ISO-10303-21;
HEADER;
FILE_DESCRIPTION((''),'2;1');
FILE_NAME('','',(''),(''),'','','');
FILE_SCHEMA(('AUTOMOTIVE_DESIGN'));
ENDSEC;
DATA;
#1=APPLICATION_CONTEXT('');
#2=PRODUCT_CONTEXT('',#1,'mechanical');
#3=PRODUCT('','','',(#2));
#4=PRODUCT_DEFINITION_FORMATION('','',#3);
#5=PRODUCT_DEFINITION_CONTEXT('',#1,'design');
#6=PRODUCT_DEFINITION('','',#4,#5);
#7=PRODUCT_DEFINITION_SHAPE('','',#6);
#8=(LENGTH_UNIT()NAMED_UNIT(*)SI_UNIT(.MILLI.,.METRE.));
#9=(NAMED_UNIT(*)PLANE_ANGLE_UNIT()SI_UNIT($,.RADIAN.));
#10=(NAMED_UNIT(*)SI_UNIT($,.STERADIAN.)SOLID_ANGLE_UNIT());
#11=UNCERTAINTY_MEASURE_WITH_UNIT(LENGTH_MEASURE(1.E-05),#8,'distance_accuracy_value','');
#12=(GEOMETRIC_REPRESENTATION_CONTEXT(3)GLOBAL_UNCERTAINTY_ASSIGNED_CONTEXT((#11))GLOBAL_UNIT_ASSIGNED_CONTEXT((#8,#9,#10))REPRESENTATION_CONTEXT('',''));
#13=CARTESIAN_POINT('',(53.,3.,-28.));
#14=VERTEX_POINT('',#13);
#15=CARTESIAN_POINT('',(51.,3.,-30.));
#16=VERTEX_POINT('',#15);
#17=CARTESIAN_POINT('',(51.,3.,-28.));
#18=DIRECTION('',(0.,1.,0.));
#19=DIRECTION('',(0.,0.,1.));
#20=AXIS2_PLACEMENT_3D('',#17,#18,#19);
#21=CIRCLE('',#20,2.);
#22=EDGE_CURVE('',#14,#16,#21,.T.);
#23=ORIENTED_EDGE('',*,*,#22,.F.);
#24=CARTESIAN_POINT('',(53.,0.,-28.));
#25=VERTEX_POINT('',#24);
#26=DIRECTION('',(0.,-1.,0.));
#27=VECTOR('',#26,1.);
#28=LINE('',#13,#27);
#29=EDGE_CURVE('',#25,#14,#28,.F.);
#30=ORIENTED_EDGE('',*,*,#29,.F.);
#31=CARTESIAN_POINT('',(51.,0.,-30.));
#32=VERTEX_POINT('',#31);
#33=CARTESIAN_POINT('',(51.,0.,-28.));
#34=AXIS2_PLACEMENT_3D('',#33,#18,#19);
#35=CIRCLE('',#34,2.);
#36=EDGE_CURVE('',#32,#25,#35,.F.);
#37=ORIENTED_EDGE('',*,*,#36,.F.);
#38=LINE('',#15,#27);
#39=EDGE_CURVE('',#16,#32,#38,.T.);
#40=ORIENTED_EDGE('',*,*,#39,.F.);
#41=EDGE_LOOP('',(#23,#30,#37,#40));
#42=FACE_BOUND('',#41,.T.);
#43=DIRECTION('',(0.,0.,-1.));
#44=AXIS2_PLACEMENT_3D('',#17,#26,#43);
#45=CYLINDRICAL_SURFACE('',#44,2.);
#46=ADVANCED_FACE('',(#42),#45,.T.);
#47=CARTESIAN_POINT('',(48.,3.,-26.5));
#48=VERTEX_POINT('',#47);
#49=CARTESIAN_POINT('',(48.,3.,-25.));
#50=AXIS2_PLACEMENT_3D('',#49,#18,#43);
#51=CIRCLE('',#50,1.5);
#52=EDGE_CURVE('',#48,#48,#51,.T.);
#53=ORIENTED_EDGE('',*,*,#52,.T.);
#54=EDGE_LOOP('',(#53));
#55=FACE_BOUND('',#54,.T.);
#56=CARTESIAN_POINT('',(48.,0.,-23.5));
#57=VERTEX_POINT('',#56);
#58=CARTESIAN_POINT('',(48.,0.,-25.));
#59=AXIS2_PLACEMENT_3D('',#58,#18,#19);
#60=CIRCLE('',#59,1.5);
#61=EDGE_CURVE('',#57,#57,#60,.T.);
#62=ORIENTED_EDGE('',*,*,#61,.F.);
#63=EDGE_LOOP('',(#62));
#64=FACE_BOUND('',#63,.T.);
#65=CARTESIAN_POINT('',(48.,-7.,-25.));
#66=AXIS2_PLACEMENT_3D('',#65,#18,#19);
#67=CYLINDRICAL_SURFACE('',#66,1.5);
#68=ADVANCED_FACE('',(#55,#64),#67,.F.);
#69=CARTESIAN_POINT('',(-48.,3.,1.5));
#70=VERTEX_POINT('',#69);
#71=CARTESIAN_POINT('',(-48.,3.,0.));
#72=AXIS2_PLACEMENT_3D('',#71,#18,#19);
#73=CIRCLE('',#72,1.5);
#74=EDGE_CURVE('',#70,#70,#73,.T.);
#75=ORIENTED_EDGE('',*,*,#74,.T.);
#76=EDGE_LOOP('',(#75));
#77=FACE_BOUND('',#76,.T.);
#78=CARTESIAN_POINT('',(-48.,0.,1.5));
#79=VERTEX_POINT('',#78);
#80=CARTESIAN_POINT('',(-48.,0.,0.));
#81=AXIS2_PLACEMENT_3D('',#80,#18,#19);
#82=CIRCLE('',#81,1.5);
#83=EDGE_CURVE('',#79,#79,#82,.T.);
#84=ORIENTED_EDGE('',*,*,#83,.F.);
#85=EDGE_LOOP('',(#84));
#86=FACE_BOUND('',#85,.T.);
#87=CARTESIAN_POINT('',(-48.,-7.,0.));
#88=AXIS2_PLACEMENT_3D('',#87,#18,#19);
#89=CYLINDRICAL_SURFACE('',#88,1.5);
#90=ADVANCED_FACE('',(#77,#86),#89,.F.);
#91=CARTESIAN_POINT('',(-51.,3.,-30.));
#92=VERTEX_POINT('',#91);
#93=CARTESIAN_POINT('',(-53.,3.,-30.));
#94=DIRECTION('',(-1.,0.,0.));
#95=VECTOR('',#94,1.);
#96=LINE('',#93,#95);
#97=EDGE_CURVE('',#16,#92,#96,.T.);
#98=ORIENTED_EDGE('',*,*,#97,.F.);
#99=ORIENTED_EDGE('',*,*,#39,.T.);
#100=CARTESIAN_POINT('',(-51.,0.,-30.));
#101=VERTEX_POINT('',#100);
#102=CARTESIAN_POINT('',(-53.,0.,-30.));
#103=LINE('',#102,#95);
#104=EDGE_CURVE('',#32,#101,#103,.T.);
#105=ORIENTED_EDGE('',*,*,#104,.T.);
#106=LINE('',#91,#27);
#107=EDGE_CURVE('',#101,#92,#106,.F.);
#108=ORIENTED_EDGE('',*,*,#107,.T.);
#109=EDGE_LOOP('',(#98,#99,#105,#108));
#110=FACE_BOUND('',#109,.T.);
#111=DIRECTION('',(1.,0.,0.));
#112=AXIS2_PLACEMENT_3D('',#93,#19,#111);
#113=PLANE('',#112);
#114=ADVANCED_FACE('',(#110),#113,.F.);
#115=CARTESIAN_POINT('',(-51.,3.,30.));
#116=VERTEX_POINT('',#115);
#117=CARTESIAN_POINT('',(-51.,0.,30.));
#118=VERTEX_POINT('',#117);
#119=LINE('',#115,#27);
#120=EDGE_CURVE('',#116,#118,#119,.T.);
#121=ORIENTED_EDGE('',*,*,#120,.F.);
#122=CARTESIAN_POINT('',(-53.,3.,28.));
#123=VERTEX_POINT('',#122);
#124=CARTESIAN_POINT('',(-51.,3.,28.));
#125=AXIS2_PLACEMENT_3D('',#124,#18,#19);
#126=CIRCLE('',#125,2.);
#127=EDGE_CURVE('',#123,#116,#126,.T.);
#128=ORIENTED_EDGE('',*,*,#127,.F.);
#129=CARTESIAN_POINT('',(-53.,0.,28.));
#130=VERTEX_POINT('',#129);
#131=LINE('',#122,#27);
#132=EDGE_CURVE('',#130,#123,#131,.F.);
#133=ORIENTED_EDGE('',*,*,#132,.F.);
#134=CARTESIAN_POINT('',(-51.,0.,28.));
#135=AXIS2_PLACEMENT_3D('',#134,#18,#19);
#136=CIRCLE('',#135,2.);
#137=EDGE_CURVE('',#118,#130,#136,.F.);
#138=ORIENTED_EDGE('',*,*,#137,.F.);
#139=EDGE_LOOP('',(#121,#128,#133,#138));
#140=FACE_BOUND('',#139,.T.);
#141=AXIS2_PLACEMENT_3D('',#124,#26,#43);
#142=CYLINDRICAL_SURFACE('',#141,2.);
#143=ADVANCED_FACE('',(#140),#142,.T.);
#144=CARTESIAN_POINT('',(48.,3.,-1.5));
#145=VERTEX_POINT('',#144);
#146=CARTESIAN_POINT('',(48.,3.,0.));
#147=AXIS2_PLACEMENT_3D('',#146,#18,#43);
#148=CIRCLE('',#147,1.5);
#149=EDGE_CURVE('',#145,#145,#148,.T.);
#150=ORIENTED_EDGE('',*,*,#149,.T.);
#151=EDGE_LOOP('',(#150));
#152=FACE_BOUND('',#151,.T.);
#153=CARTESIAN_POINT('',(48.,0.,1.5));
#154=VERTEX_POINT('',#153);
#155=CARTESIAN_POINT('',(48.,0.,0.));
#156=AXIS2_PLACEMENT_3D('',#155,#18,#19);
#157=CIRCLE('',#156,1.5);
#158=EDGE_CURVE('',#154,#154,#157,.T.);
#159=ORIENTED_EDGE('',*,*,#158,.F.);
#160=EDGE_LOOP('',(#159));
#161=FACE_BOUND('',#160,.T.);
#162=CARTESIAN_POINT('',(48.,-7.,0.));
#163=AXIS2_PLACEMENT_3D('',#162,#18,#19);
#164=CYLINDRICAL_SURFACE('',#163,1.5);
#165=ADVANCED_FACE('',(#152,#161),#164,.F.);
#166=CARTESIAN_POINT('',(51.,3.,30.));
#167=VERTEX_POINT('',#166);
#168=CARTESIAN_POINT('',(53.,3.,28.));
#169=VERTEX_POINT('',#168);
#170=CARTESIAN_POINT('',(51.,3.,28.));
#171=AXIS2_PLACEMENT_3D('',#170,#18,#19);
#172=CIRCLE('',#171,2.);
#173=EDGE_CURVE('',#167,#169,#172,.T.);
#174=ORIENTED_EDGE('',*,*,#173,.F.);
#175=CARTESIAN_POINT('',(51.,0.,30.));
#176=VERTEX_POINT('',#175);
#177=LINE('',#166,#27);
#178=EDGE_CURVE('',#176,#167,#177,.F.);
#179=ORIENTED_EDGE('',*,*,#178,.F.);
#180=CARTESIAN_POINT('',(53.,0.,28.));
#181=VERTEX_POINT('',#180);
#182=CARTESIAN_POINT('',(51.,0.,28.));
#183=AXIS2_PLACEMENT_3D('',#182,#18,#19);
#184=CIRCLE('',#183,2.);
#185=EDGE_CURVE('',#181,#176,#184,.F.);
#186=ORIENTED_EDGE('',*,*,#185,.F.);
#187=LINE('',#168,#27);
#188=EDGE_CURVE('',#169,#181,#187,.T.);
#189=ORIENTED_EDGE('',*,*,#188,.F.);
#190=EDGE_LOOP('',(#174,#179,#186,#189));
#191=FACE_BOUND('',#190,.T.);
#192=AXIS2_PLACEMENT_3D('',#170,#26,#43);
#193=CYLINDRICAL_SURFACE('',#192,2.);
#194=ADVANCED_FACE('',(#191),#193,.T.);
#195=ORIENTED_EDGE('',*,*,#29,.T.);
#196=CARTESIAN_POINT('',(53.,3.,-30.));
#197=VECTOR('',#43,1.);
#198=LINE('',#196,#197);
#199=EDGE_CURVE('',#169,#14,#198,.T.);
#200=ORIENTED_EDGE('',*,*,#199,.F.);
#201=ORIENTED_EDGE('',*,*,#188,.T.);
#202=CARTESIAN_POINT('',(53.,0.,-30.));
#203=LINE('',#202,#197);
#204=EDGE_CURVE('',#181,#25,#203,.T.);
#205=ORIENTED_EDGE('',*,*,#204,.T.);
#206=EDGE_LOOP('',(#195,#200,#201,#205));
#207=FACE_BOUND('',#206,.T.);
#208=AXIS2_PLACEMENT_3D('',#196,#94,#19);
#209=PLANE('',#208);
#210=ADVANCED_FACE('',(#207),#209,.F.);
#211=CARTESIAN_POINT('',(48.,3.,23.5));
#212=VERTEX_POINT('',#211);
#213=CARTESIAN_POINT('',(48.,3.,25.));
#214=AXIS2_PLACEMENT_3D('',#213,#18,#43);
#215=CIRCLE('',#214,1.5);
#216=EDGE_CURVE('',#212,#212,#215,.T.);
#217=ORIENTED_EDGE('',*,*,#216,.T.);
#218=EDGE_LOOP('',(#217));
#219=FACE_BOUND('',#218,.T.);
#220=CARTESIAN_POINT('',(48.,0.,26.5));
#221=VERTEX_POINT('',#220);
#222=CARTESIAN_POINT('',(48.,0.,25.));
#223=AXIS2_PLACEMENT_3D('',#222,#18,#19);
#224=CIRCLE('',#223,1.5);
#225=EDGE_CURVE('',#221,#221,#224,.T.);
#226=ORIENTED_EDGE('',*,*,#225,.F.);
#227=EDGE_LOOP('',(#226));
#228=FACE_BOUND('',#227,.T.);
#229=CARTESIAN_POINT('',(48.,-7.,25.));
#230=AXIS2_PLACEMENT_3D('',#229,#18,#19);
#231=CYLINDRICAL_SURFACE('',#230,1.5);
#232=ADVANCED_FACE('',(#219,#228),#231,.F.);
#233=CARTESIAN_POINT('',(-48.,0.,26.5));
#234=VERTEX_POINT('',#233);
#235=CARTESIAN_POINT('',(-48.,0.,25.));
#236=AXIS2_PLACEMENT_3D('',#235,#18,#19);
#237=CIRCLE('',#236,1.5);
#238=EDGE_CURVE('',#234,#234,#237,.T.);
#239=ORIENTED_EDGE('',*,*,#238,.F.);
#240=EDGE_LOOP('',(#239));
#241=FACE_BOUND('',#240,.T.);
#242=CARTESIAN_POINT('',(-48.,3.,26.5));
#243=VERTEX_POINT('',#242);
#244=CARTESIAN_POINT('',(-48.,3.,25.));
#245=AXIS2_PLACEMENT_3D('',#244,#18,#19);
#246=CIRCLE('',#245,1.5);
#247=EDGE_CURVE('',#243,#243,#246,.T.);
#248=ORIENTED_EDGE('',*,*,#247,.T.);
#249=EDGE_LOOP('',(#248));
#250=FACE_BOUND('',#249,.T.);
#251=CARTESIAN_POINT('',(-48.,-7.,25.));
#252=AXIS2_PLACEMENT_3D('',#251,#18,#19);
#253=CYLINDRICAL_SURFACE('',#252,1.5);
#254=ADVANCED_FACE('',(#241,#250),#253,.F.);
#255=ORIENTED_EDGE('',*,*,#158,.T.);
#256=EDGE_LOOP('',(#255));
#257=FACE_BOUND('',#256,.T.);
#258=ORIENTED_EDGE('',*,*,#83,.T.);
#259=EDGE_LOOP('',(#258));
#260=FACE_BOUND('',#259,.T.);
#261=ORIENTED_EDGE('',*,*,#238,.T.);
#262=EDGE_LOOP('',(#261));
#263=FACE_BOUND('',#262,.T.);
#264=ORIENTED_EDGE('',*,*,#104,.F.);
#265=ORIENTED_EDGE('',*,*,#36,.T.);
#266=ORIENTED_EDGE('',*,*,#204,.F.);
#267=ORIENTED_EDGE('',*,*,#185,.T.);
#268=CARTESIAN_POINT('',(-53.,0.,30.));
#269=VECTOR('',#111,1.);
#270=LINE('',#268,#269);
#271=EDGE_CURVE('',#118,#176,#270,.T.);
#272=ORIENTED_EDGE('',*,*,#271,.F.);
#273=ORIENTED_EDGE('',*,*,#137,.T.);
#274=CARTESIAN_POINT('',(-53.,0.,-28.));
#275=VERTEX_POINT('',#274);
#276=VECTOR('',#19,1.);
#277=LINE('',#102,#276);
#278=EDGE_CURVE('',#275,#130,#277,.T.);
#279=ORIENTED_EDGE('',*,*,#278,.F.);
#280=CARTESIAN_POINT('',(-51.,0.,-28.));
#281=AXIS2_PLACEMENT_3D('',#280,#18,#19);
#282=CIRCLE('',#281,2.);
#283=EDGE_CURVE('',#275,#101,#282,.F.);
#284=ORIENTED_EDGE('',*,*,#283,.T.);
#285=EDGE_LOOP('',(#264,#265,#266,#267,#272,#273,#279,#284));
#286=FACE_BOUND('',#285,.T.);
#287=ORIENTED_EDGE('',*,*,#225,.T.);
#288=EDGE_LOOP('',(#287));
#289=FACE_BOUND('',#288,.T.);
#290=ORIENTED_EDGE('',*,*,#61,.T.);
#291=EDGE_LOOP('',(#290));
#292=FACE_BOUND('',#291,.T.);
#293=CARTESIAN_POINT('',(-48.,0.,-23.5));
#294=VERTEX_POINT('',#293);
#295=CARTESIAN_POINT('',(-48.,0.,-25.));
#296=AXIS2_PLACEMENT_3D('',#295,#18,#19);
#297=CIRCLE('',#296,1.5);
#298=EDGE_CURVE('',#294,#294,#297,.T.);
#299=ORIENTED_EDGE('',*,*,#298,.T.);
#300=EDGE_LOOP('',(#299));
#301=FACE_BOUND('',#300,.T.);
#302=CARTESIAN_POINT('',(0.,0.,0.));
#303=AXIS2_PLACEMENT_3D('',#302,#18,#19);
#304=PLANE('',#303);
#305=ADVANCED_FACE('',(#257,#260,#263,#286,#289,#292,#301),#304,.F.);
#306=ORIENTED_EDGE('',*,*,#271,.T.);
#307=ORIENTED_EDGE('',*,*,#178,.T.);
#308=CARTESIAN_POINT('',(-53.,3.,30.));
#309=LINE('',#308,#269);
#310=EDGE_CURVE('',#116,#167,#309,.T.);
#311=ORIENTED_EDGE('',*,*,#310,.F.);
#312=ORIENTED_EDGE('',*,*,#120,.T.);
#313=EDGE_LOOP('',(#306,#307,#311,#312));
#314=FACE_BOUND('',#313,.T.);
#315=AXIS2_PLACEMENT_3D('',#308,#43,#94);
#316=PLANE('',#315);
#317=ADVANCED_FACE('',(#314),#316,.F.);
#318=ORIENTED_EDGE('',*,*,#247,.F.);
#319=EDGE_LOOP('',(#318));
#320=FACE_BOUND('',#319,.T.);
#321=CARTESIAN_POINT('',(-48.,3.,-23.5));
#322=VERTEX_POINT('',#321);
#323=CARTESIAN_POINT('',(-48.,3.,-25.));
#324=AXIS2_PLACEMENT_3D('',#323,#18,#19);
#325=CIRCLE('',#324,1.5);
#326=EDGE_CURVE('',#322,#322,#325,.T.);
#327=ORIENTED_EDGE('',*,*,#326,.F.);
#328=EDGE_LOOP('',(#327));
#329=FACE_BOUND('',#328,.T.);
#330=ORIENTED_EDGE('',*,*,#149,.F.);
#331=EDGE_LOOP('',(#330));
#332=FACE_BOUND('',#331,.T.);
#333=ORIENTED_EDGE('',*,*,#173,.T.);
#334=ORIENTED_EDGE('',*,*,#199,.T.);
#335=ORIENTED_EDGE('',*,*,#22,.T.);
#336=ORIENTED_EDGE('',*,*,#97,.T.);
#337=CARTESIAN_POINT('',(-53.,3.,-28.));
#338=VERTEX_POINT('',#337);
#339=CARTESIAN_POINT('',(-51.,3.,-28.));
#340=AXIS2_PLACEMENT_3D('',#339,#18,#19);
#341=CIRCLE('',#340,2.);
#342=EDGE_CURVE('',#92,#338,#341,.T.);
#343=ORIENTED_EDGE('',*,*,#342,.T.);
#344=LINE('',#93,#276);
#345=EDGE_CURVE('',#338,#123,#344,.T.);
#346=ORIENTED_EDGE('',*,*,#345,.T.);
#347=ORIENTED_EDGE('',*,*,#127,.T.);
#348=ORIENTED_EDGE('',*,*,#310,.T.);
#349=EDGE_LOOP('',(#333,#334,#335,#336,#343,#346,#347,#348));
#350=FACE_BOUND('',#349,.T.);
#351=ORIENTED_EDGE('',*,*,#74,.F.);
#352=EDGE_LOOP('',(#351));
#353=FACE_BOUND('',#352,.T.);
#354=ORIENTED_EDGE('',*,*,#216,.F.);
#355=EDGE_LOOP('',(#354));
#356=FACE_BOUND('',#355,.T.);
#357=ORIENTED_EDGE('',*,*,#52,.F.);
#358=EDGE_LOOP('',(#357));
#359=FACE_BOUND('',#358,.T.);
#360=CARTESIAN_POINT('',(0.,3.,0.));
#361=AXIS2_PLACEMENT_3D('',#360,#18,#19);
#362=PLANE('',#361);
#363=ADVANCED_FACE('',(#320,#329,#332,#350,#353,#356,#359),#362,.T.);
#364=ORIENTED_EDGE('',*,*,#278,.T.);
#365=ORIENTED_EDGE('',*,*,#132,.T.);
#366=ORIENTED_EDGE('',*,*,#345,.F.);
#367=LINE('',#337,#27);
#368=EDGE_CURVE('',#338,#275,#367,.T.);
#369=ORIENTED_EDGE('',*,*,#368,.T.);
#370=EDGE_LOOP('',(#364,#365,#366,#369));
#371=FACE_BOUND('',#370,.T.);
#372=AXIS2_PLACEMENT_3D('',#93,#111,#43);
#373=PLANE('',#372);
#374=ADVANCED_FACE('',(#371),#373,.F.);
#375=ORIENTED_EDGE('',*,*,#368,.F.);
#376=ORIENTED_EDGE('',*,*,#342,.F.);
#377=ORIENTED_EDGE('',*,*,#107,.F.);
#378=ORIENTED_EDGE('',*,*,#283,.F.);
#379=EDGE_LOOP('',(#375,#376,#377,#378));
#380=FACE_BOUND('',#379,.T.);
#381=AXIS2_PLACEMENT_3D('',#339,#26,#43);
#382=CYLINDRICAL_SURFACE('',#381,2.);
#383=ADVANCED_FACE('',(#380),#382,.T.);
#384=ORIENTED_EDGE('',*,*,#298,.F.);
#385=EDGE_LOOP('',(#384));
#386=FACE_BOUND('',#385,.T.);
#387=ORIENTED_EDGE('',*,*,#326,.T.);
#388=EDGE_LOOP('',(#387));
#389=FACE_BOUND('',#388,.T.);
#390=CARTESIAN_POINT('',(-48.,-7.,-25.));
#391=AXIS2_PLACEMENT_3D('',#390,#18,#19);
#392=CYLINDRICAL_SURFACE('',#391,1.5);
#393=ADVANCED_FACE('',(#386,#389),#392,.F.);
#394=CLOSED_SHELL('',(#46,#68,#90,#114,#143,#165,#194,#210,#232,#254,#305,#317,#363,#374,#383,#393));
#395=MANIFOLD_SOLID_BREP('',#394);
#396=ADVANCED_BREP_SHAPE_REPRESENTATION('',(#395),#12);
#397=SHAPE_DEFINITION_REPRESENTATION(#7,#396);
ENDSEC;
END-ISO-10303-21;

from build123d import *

# Parameters (mm, degrees)
SKETCH_1_W          = 106
SKETCH_1_H          = 60
EXTRUDE_1_DEPTH     = 3
SKETCH_2_R          = 1.5
CUT_EXTRUDE_1_DEPTH = 10
FILLET_1_R          = 2


with BuildPart() as part:
    # 草图1 → 凸台-拉伸1 (new body)
    with BuildSketch(Plane(origin=(0, 0, 0), x_dir=(1, 0, 0), z_dir=(0, 1, 0))):
        Rectangle(SKETCH_1_W, SKETCH_1_H)
    extrude(amount=EXTRUDE_1_DEPTH)

    # 草图2 → 切除-拉伸1 (cut)
    with BuildSketch(Plane(origin=(0, 3, 0), x_dir=(1, 0, 0), z_dir=(0, 1, 0))):
        with Locations(Location((-48, 25, 0), (0, 0, 270))):
            Circle(SKETCH_2_R)
        with Locations(Location((-48, 0, 0), (0, 0, 270))):
            Circle(SKETCH_2_R)
        with Locations(Location((-48, -25, 0), (0, 0, 270))):
            Circle(SKETCH_2_R)
        with Locations(Location((48, -25, 0), (0, 0, 270))):
            Circle(SKETCH_2_R)
        with Locations(Location((48, 0, 0), (0, 0, 270))):
            Circle(SKETCH_2_R)
        with Locations(Location((48, 25, 0), (0, 0, 270))):
            Circle(SKETCH_2_R)
    extrude(amount=-CUT_EXTRUDE_1_DEPTH, mode=Mode.SUBTRACT)

    # 圆角1
    fillet_1_edges = [part.edges().sort_by_distance(p)[0] for p in [
        (53, 1.5, 30),
        (-53, 1.5, 30),
        (-53, 1.5, -30),
        (53, 1.5, -30),
    ]]
    fillet(fillet_1_edges, radius=FILLET_1_R)


solid = part.part
